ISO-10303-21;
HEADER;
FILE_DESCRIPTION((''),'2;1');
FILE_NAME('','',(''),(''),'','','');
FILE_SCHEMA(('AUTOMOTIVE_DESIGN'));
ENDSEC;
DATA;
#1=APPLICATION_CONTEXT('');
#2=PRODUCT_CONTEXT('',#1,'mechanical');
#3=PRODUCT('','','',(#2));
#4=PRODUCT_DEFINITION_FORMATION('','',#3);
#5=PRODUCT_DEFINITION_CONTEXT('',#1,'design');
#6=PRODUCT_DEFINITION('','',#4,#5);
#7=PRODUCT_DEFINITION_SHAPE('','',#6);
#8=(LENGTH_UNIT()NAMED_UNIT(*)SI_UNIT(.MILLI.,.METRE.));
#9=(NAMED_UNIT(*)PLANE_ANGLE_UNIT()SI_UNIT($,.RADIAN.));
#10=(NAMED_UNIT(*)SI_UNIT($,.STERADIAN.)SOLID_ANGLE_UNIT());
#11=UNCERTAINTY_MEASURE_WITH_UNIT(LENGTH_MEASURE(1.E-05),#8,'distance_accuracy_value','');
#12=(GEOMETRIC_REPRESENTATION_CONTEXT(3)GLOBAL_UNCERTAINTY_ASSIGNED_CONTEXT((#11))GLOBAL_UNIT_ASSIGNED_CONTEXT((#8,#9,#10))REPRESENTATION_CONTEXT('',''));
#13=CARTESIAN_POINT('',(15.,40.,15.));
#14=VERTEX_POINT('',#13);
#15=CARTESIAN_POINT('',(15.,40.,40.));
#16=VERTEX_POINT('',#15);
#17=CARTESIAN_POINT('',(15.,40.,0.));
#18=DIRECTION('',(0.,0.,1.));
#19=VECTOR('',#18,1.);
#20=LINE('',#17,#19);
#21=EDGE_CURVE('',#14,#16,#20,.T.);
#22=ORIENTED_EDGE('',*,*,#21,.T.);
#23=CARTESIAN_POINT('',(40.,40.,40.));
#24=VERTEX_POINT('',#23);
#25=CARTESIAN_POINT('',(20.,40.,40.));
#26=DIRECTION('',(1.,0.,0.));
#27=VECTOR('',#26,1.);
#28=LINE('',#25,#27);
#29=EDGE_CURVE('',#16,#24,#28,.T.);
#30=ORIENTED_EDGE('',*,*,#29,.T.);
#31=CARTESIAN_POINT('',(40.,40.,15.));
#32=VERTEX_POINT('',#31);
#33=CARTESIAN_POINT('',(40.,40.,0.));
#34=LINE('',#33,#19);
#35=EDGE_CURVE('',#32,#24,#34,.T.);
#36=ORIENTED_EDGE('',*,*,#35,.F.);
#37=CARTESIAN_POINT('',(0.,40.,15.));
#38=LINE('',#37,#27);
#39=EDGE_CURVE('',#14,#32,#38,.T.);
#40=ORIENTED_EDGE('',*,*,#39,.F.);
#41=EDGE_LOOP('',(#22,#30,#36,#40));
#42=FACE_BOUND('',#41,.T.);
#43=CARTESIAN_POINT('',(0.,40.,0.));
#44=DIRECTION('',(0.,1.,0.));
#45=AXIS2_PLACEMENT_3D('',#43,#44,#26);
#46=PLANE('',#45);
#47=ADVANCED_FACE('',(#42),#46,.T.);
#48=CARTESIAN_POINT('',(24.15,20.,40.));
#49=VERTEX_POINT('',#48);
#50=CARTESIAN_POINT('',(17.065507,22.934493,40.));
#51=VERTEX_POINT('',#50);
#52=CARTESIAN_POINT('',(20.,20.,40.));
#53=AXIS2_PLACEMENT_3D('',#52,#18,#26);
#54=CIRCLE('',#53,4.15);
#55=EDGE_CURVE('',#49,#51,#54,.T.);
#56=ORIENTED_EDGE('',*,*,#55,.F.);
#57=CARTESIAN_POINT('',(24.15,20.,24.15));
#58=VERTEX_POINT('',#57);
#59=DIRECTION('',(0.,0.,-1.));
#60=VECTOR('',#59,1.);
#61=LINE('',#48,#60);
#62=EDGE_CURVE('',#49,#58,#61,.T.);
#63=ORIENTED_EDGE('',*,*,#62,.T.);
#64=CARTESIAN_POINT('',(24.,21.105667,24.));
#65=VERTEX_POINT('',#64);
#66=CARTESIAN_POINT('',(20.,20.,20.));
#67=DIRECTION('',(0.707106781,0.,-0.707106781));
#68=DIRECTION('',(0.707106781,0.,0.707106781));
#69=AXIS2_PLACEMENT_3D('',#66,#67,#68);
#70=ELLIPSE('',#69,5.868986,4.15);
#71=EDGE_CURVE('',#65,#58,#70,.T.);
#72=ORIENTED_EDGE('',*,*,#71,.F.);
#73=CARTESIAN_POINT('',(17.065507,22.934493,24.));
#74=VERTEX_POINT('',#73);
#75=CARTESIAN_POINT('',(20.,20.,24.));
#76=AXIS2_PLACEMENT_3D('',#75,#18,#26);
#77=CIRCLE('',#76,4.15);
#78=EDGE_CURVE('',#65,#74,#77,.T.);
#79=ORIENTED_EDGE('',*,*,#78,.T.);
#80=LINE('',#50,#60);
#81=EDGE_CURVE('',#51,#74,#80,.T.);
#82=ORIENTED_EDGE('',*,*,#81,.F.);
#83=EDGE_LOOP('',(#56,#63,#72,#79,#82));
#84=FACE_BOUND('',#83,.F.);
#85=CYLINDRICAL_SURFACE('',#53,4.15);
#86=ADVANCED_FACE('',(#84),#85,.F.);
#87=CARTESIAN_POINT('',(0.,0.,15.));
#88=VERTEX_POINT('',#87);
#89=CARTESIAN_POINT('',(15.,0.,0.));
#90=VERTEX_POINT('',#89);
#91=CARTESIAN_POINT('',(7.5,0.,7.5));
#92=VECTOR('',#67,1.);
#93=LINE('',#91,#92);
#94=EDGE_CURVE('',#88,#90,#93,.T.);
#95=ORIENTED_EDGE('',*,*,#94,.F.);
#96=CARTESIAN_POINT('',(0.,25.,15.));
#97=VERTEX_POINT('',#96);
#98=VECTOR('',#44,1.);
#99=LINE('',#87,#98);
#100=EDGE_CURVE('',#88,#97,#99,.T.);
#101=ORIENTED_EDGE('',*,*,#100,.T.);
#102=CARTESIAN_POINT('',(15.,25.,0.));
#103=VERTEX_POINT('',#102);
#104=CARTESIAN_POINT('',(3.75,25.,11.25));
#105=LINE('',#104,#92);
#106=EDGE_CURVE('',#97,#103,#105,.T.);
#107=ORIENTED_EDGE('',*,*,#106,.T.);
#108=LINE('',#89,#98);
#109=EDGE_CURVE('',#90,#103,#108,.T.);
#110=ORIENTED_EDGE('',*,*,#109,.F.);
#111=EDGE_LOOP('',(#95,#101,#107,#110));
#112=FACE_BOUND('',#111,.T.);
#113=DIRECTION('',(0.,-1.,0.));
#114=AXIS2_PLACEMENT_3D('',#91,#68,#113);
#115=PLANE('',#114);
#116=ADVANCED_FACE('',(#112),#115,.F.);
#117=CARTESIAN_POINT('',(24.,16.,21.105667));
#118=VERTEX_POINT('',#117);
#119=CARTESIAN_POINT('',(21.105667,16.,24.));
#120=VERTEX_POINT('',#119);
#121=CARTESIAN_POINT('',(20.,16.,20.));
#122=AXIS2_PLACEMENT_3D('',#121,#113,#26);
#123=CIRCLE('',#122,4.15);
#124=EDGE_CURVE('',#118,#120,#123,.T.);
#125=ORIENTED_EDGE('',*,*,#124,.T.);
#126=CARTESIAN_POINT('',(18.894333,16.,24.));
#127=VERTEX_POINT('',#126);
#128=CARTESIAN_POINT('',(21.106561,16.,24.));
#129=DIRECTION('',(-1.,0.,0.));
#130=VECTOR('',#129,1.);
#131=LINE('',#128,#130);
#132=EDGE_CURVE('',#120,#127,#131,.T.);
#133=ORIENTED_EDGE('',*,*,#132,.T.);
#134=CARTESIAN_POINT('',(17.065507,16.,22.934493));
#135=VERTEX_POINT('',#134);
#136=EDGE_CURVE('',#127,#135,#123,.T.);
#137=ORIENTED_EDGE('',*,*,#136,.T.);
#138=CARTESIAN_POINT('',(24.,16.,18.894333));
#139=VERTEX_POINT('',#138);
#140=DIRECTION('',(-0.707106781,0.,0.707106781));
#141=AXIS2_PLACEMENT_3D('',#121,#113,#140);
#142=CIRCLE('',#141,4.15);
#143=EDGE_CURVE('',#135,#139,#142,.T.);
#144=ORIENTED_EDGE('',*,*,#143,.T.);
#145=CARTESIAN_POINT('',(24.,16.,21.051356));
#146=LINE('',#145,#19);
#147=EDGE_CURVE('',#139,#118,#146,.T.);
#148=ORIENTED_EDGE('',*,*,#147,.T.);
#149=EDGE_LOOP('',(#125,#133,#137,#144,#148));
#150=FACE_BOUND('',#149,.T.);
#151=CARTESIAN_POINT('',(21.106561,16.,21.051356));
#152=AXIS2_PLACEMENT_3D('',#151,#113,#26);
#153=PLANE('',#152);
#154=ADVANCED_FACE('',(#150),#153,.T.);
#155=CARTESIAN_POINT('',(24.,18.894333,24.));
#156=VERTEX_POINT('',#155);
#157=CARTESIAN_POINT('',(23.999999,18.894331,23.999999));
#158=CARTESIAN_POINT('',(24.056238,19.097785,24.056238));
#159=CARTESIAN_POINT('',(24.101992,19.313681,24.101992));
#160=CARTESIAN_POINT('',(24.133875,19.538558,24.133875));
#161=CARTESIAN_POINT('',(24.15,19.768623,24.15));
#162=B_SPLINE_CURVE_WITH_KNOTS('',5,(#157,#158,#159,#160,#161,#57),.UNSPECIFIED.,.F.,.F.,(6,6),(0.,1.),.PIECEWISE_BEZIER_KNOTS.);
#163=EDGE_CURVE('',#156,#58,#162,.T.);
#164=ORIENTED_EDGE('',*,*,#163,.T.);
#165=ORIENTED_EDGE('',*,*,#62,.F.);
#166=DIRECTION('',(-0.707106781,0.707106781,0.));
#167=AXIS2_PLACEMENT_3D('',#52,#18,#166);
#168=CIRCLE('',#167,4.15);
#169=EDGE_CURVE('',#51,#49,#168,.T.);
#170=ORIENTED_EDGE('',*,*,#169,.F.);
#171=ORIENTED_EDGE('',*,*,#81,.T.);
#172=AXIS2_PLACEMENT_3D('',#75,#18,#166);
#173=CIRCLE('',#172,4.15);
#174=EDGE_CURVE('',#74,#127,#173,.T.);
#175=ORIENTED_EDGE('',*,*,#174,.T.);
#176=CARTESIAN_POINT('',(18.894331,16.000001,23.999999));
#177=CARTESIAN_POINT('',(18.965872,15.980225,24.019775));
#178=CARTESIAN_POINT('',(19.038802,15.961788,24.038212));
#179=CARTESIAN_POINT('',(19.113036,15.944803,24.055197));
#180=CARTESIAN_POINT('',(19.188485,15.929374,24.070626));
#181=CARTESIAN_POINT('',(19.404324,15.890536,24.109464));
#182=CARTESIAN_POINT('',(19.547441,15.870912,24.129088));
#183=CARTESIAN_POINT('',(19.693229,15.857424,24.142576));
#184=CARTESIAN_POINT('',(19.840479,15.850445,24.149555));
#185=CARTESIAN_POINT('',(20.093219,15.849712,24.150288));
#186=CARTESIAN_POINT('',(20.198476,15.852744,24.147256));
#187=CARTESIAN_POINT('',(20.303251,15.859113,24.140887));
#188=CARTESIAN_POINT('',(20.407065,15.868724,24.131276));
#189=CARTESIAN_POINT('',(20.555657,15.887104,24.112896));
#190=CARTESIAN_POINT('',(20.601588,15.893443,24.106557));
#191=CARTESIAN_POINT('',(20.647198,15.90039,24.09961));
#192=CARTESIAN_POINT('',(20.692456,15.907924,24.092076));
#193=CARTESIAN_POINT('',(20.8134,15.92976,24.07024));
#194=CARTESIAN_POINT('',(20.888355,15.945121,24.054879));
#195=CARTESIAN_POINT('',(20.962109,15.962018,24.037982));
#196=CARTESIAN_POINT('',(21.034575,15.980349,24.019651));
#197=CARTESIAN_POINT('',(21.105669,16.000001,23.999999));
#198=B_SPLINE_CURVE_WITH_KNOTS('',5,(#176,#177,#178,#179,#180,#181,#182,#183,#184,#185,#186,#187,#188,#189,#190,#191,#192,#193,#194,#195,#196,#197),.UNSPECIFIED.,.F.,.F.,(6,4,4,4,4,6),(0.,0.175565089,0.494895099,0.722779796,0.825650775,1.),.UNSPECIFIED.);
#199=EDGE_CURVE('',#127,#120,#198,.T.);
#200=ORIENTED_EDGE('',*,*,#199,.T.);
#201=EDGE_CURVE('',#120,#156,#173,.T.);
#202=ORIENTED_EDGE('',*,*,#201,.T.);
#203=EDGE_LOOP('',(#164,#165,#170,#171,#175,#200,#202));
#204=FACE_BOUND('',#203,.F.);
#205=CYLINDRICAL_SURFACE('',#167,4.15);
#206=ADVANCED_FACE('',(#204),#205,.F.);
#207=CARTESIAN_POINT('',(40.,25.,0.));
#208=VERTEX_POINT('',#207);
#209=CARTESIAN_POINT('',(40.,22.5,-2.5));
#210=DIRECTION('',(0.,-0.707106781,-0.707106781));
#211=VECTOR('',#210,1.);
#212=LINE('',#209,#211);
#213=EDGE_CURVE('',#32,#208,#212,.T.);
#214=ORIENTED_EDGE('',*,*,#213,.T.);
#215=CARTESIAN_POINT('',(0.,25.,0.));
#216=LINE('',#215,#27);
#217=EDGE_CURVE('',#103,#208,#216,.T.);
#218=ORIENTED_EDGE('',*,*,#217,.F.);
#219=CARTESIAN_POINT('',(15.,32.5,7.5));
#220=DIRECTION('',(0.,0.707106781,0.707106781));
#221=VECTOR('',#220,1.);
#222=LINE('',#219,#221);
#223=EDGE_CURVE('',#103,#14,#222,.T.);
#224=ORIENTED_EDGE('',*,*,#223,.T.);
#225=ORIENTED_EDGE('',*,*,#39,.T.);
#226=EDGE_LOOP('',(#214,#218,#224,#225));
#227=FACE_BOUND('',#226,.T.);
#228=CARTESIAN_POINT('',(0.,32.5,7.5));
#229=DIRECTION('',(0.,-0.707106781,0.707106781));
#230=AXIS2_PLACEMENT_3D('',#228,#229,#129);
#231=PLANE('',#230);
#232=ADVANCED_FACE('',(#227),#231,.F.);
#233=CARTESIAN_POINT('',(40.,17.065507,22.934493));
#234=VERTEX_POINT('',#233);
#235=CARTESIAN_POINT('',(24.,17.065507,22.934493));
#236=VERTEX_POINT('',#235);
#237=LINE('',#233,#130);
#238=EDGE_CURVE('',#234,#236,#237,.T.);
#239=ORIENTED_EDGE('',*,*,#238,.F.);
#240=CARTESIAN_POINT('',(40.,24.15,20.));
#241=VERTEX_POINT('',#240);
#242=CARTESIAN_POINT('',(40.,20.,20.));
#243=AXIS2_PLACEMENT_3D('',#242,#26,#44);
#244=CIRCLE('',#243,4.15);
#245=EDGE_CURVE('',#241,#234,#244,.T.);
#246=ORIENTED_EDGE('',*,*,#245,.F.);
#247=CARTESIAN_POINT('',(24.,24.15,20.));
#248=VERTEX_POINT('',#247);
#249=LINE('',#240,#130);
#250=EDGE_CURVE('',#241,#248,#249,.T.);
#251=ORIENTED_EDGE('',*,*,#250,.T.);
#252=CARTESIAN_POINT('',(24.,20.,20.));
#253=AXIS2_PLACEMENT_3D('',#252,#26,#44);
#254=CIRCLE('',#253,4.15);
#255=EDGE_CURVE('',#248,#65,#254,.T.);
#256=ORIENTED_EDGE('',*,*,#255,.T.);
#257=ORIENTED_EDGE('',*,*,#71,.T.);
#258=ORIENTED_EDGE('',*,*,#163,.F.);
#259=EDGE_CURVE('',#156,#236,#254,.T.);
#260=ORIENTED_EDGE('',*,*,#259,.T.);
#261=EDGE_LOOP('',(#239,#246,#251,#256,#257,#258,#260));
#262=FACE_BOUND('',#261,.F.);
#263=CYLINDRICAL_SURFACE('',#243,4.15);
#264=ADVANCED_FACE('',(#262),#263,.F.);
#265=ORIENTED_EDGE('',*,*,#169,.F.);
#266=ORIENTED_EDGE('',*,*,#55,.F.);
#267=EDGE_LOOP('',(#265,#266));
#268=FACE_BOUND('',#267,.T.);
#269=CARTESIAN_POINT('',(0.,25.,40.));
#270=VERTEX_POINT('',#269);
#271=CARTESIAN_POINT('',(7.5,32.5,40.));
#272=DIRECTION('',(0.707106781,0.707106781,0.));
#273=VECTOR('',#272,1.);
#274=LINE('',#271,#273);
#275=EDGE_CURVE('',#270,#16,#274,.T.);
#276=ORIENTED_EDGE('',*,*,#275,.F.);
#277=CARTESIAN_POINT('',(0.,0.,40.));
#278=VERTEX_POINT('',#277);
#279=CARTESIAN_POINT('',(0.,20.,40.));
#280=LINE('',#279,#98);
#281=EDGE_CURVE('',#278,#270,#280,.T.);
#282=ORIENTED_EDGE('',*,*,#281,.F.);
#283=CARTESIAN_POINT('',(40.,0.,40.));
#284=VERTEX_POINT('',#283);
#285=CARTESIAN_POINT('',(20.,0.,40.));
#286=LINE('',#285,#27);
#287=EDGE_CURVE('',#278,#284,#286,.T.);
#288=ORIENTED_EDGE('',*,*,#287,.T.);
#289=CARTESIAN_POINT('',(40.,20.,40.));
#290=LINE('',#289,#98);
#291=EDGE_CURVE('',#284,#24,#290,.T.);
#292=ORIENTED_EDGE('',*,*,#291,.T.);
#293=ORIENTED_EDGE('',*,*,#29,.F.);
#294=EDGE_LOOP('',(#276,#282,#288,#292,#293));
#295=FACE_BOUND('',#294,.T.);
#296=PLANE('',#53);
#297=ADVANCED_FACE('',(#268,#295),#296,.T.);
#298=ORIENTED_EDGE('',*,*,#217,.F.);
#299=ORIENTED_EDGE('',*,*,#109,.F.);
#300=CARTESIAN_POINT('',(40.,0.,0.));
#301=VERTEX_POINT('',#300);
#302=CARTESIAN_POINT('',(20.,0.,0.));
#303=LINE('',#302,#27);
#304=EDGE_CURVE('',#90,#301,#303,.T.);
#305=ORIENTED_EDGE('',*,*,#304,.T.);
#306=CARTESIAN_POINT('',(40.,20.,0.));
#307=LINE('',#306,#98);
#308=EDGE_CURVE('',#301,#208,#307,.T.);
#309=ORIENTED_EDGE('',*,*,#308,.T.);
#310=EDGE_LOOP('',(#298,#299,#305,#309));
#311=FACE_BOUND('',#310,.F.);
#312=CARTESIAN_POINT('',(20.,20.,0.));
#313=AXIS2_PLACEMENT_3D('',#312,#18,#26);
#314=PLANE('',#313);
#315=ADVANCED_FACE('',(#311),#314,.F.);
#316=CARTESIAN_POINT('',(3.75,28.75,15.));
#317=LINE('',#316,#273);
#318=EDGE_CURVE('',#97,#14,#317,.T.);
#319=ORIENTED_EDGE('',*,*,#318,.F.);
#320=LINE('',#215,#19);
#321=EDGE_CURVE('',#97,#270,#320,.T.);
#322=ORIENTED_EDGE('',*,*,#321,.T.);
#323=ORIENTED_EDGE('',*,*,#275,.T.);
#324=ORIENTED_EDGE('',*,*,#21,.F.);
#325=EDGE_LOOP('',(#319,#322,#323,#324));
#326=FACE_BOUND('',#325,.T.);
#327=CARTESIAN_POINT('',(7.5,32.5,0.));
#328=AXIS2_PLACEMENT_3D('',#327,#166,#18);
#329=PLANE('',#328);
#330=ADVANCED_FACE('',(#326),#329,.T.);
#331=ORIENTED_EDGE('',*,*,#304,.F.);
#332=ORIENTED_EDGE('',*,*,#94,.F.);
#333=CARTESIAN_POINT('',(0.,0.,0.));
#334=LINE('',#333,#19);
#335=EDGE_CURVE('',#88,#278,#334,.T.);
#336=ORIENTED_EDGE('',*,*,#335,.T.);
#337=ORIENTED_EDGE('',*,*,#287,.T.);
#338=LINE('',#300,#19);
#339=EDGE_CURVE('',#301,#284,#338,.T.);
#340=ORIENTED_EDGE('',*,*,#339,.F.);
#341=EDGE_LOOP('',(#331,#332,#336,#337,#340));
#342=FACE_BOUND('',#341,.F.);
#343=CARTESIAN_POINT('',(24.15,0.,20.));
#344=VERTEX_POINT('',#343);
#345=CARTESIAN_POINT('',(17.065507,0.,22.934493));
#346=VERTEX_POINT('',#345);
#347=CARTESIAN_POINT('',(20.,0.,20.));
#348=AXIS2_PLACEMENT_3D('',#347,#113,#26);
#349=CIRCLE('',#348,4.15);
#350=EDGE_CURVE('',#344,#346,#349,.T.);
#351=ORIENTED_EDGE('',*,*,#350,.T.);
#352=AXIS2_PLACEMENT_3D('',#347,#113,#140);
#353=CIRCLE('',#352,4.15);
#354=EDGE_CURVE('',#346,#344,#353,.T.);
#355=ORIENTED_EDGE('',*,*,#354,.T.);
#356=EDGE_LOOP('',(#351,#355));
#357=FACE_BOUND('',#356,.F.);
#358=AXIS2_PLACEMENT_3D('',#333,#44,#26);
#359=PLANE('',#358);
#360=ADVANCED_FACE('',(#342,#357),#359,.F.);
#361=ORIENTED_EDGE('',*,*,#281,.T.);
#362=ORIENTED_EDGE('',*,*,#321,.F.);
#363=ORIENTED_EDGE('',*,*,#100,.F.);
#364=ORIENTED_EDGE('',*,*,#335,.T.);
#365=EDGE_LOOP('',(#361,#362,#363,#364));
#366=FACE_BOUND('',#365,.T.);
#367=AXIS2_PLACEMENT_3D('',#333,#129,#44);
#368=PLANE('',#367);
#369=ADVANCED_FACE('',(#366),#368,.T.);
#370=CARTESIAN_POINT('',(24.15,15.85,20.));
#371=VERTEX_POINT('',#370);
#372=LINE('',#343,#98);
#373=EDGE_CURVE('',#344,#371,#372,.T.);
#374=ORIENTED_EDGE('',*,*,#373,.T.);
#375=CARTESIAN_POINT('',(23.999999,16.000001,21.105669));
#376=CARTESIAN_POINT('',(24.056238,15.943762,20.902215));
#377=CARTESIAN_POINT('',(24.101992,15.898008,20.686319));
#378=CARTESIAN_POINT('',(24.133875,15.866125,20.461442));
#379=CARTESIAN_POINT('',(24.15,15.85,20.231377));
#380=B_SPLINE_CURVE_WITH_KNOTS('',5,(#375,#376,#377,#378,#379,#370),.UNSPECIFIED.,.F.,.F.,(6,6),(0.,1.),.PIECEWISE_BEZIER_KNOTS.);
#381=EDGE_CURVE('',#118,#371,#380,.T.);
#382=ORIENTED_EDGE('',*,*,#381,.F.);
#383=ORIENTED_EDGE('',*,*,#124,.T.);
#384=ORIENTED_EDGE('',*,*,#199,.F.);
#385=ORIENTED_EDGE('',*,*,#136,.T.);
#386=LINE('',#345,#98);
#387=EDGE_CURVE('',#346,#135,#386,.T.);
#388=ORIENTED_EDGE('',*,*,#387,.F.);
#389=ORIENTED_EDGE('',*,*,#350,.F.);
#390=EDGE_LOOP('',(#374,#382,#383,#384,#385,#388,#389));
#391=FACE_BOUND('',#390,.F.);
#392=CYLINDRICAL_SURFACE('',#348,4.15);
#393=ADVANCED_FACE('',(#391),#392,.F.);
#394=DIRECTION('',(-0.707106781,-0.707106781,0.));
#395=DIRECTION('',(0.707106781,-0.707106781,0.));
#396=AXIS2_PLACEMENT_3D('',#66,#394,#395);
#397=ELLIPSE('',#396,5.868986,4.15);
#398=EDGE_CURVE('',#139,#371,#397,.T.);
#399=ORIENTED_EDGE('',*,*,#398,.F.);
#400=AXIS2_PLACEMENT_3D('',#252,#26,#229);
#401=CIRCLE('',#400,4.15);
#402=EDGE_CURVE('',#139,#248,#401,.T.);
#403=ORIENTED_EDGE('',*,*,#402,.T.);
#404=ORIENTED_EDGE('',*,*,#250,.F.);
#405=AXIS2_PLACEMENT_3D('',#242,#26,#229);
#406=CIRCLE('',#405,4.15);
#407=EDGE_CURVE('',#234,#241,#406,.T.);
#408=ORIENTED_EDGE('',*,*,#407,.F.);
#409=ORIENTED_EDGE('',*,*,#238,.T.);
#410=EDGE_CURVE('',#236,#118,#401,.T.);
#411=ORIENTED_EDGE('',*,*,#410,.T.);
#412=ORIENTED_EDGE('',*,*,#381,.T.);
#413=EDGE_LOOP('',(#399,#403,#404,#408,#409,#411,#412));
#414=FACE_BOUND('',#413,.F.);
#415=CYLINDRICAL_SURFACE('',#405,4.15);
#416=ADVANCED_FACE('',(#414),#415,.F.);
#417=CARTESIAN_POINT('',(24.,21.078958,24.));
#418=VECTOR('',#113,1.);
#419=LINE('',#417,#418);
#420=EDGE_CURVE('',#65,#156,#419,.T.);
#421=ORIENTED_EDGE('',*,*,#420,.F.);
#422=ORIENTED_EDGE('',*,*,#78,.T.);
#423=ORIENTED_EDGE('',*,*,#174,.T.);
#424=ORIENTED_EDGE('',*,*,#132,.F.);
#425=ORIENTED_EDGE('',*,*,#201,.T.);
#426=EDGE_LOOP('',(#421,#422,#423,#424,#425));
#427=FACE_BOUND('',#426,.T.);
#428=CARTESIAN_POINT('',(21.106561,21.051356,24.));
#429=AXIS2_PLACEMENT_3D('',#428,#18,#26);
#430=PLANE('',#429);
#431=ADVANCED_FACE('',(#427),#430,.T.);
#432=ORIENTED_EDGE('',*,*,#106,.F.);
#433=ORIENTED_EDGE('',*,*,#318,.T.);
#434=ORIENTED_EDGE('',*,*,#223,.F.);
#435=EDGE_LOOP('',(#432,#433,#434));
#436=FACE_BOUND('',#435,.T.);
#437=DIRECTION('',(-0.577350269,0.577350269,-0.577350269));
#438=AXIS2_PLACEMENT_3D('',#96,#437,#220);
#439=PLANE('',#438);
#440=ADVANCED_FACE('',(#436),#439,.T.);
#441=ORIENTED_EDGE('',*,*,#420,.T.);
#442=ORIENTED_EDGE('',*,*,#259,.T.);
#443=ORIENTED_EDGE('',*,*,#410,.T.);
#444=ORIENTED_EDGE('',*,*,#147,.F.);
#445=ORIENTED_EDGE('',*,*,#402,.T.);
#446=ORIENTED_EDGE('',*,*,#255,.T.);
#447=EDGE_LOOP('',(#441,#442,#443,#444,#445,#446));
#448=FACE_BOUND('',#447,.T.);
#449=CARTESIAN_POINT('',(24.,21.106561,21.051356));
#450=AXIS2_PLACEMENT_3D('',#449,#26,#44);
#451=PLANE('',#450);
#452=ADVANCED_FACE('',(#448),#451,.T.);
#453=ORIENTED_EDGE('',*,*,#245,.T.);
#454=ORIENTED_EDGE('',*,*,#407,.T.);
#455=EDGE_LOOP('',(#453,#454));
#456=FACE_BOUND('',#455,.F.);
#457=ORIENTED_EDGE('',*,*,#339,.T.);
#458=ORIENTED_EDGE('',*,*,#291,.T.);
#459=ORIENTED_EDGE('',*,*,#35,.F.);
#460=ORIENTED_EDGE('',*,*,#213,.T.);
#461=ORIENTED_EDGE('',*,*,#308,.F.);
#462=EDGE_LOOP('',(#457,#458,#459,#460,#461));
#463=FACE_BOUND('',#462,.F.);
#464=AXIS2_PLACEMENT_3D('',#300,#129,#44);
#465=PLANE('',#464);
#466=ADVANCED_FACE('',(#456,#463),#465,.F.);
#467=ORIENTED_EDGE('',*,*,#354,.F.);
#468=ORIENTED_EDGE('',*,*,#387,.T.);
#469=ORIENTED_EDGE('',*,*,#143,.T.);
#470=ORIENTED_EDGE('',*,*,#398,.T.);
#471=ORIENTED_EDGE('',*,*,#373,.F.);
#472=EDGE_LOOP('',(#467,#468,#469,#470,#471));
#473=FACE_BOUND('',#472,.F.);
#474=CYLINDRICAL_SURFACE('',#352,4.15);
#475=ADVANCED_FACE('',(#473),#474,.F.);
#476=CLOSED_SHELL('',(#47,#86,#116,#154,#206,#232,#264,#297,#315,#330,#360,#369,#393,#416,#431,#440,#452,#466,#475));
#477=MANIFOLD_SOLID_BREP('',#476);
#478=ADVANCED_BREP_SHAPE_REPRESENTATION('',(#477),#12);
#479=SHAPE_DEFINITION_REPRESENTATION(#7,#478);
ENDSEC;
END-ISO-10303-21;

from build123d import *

# Parameters (mm, degrees)
F0_W     = 40
F0_H     = 40
F1_DEPTH = 40
F3_DEPTH = 16
F5_DEPTH = 16
F7_DEPTH = 16
F8_SIZE  = 15


with BuildPart() as f1:
    # F0 (on Top) → F1 (new body)
    with BuildSketch(Plane.XY):
        with Locations((20, 20)):
            Rectangle(F0_W, F0_H)
    extrude(amount=F1_DEPTH)

    # F2 (on face) → F3 (cut)
    with BuildSketch(Plane.XZ):
        with BuildLine():
            ThreePointArc((24.15, 20), (21.5881362443, 23.8341000599), (17.0655068581, 22.9344931419))
            Line((17.0655068581, 22.9344931419), (22.9344931419, 17.0655068581))
            ThreePointArc((22.9344931419, 17.0655068581), (23.8341000599, 18.4118637557), (24.15, 20))
        make_face()
        with BuildLine():
            Line((22.9344931419, 17.0655068581), (17.0655068581, 22.9344931419))
            ThreePointArc((17.0655068581, 22.9344931419), (17.0655068581, 17.0655068581), (22.9344931419, 17.0655068581))
        make_face()
    extrude(amount=-F3_DEPTH, mode=Mode.SUBTRACT)

    # F4 (on face) → F5 (cut)
    with BuildSketch(Plane.YZ.offset(40)):
        with BuildLine():
            ThreePointArc((24.15, 20), (21.5881362443, 23.8341000599), (17.0655068581, 22.9344931419))
            Line((17.0655068581, 22.9344931419), (22.9344931419, 17.0655068581))
            ThreePointArc((22.9344931419, 17.0655068581), (23.8341000599, 18.4118637557), (24.15, 20))
        make_face()
        with BuildLine():
            Line((22.9344931419, 17.0655068581), (17.0655068581, 22.9344931419))
            ThreePointArc((17.0655068581, 22.9344931419), (17.0655068581, 17.0655068581), (22.9344931419, 17.0655068581))
        make_face()
    extrude(amount=-F5_DEPTH, mode=Mode.SUBTRACT)

    # F6 (on face) → F7 (cut)
    with BuildSketch(Plane.XY.offset(40)):
        with BuildLine():
            ThreePointArc((24.15, 20), (21.5881362443, 23.8341000599), (17.0655068581, 22.9344931419))
            Line((17.0655068581, 22.9344931419), (22.9344931419, 17.0655068581))
            ThreePointArc((22.9344931419, 17.0655068581), (23.8341000599, 18.4118637557), (24.15, 20))
        make_face()
        with BuildLine():
            Line((22.9344931419, 17.0655068581), (17.0655068581, 22.9344931419))
            ThreePointArc((17.0655068581, 22.9344931419), (17.0655068581, 17.0655068581), (22.9344931419, 17.0655068581))
        make_face()
    extrude(amount=-F7_DEPTH, mode=Mode.SUBTRACT)

    # F8
    f8_edges = [f1.edges().sort_by_distance(p)[0] for p in [
        (20, 40, 0),
        (0, 20, 0),
        (0, 40, 20),
    ]]
    chamfer(f8_edges, length=F8_SIZE)


solid = f1.part
